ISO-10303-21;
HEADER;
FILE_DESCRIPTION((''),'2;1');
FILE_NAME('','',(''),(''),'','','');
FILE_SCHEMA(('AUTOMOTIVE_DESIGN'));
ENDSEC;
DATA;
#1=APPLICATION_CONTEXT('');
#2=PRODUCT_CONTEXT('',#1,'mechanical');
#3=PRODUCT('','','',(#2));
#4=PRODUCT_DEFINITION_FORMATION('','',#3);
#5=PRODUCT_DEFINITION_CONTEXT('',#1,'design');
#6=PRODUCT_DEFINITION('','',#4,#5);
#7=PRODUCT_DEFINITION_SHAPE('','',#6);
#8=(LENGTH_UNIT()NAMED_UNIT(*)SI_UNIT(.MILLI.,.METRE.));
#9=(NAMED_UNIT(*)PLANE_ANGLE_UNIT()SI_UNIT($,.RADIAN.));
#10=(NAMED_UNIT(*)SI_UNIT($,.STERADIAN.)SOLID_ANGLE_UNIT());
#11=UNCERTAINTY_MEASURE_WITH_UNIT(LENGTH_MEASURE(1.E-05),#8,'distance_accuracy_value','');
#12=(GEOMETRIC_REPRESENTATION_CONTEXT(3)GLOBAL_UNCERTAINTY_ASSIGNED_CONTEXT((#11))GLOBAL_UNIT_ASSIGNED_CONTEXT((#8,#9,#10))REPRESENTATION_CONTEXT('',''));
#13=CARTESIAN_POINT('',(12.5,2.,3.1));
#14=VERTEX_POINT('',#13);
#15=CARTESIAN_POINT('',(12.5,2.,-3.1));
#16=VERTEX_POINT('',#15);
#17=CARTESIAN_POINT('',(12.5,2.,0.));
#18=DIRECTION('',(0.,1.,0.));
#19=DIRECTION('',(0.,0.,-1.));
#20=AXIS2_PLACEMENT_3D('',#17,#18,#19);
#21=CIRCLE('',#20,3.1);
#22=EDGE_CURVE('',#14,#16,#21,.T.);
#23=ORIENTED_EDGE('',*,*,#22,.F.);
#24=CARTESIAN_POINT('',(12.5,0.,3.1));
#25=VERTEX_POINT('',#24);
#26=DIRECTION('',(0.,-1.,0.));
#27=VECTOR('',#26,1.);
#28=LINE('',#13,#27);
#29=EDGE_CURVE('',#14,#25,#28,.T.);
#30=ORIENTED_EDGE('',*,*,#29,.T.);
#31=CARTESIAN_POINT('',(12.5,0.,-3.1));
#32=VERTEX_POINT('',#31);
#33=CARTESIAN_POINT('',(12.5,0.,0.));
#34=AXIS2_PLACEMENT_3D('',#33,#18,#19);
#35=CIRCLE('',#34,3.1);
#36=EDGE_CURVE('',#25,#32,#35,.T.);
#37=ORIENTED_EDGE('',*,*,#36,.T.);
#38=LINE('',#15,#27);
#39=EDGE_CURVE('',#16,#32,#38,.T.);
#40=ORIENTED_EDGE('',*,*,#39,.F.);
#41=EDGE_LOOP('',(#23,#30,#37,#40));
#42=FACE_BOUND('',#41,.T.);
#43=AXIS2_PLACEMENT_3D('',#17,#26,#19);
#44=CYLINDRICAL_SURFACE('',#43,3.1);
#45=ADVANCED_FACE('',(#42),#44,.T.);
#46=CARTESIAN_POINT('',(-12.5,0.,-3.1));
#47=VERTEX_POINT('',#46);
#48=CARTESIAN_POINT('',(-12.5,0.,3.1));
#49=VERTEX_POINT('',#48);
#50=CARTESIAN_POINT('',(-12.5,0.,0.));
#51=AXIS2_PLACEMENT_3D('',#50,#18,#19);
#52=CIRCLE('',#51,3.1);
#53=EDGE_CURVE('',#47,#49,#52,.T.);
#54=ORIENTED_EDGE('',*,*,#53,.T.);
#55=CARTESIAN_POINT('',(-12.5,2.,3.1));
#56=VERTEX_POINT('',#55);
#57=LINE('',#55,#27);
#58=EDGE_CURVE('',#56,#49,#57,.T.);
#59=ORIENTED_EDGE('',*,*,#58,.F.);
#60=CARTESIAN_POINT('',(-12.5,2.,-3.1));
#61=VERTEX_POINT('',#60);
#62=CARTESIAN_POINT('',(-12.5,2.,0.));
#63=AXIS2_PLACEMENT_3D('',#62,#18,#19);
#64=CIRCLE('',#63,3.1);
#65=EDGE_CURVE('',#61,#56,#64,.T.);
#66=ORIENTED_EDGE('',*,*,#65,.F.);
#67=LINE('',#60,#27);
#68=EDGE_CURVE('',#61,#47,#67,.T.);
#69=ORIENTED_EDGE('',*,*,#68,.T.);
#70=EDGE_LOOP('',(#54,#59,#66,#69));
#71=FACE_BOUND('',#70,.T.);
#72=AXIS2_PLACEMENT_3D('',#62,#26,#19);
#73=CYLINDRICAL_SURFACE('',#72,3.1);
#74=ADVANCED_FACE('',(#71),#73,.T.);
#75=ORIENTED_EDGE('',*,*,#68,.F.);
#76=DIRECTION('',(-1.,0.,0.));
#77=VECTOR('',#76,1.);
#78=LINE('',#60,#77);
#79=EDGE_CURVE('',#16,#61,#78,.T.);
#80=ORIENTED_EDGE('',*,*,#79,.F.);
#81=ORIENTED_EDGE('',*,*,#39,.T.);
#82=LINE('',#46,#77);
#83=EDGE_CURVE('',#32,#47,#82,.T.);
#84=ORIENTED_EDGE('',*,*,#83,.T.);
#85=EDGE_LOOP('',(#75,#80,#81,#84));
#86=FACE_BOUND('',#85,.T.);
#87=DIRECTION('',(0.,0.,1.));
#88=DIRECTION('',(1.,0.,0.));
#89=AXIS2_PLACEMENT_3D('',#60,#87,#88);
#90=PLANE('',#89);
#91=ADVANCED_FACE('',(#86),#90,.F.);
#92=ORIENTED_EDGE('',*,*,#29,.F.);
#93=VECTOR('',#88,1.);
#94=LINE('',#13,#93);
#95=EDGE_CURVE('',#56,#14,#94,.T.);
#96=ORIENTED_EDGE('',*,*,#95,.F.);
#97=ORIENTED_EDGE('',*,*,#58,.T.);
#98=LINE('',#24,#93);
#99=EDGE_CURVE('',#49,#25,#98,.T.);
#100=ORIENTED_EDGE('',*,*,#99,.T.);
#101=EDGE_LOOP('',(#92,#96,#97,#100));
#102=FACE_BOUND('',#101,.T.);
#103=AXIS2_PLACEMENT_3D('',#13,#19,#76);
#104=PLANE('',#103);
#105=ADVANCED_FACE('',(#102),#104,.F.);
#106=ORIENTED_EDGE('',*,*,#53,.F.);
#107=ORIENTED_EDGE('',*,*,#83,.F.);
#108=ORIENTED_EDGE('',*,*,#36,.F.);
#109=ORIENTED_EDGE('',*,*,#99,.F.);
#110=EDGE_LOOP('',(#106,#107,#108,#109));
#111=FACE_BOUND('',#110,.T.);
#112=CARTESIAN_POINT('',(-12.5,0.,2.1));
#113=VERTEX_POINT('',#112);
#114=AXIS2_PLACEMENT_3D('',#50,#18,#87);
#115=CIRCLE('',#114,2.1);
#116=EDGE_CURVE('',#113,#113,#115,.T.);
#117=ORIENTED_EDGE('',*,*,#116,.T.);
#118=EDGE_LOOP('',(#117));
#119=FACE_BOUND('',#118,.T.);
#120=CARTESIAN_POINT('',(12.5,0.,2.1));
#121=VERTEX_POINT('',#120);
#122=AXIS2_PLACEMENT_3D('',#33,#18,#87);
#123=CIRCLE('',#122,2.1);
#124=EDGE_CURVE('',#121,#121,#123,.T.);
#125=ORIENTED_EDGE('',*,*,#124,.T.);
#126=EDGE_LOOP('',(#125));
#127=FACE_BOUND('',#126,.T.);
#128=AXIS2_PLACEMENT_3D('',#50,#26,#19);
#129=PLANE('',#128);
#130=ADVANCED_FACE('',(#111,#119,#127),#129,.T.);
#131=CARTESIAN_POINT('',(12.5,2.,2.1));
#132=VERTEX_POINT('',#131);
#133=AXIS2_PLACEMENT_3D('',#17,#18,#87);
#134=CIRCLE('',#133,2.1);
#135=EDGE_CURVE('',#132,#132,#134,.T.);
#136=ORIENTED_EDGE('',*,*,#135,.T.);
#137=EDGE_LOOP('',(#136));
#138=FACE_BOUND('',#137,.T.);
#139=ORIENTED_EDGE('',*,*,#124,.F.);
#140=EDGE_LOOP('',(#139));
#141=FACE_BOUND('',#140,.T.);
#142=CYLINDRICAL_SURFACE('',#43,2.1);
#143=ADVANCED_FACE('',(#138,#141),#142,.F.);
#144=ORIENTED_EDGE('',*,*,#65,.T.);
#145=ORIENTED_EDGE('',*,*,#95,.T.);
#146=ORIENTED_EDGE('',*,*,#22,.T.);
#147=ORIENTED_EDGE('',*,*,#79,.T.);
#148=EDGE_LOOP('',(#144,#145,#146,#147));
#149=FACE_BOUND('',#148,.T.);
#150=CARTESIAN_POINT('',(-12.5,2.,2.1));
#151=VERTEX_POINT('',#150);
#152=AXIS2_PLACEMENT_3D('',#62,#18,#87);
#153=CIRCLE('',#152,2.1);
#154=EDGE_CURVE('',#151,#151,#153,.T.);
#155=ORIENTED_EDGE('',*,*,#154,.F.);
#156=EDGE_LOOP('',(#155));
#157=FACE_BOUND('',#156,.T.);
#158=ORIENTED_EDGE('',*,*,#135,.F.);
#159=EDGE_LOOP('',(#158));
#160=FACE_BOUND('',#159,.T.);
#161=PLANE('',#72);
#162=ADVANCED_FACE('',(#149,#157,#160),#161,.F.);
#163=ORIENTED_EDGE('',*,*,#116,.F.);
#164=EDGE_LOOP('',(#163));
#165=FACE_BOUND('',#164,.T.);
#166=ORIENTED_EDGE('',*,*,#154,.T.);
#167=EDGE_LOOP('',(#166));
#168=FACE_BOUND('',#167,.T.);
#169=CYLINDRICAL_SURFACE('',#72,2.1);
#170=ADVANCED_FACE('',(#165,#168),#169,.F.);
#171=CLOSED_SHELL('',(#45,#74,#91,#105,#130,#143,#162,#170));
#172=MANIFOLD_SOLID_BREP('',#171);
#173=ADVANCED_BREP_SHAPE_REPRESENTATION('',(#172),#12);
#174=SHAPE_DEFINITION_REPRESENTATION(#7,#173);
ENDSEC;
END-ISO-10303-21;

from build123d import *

# Parameters (mm, degrees)
SKETCH1_R           = 2.1
BOSS_EXTRUDE1_DEPTH = 2


with BuildPart() as part:
    # Sketch1 → Boss-Extrude1 (new body)
    with BuildSketch(Plane(origin=(0, 0, 0), x_dir=(1, 0, 0), z_dir=(0, 1, 0))):
        with BuildLine():
            Line((-12.5, 3.1), (12.5, 3.1))
            ThreePointArc((12.5, 3.1), (15.6, 0), (12.5, -3.1))
            Line((12.5, -3.1), (-12.5, -3.1))
            ThreePointArc((-12.5, -3.1), (-15.6, 0), (-12.5, 3.1))
        make_face()
        with Locations((-12.5, 0)):
            Circle(SKETCH1_R, mode=Mode.SUBTRACT)
        with Locations((12.5, 0)):
            Circle(SKETCH1_R, mode=Mode.SUBTRACT)
    extrude(amount=BOSS_EXTRUDE1_DEPTH)


solid = part.part
